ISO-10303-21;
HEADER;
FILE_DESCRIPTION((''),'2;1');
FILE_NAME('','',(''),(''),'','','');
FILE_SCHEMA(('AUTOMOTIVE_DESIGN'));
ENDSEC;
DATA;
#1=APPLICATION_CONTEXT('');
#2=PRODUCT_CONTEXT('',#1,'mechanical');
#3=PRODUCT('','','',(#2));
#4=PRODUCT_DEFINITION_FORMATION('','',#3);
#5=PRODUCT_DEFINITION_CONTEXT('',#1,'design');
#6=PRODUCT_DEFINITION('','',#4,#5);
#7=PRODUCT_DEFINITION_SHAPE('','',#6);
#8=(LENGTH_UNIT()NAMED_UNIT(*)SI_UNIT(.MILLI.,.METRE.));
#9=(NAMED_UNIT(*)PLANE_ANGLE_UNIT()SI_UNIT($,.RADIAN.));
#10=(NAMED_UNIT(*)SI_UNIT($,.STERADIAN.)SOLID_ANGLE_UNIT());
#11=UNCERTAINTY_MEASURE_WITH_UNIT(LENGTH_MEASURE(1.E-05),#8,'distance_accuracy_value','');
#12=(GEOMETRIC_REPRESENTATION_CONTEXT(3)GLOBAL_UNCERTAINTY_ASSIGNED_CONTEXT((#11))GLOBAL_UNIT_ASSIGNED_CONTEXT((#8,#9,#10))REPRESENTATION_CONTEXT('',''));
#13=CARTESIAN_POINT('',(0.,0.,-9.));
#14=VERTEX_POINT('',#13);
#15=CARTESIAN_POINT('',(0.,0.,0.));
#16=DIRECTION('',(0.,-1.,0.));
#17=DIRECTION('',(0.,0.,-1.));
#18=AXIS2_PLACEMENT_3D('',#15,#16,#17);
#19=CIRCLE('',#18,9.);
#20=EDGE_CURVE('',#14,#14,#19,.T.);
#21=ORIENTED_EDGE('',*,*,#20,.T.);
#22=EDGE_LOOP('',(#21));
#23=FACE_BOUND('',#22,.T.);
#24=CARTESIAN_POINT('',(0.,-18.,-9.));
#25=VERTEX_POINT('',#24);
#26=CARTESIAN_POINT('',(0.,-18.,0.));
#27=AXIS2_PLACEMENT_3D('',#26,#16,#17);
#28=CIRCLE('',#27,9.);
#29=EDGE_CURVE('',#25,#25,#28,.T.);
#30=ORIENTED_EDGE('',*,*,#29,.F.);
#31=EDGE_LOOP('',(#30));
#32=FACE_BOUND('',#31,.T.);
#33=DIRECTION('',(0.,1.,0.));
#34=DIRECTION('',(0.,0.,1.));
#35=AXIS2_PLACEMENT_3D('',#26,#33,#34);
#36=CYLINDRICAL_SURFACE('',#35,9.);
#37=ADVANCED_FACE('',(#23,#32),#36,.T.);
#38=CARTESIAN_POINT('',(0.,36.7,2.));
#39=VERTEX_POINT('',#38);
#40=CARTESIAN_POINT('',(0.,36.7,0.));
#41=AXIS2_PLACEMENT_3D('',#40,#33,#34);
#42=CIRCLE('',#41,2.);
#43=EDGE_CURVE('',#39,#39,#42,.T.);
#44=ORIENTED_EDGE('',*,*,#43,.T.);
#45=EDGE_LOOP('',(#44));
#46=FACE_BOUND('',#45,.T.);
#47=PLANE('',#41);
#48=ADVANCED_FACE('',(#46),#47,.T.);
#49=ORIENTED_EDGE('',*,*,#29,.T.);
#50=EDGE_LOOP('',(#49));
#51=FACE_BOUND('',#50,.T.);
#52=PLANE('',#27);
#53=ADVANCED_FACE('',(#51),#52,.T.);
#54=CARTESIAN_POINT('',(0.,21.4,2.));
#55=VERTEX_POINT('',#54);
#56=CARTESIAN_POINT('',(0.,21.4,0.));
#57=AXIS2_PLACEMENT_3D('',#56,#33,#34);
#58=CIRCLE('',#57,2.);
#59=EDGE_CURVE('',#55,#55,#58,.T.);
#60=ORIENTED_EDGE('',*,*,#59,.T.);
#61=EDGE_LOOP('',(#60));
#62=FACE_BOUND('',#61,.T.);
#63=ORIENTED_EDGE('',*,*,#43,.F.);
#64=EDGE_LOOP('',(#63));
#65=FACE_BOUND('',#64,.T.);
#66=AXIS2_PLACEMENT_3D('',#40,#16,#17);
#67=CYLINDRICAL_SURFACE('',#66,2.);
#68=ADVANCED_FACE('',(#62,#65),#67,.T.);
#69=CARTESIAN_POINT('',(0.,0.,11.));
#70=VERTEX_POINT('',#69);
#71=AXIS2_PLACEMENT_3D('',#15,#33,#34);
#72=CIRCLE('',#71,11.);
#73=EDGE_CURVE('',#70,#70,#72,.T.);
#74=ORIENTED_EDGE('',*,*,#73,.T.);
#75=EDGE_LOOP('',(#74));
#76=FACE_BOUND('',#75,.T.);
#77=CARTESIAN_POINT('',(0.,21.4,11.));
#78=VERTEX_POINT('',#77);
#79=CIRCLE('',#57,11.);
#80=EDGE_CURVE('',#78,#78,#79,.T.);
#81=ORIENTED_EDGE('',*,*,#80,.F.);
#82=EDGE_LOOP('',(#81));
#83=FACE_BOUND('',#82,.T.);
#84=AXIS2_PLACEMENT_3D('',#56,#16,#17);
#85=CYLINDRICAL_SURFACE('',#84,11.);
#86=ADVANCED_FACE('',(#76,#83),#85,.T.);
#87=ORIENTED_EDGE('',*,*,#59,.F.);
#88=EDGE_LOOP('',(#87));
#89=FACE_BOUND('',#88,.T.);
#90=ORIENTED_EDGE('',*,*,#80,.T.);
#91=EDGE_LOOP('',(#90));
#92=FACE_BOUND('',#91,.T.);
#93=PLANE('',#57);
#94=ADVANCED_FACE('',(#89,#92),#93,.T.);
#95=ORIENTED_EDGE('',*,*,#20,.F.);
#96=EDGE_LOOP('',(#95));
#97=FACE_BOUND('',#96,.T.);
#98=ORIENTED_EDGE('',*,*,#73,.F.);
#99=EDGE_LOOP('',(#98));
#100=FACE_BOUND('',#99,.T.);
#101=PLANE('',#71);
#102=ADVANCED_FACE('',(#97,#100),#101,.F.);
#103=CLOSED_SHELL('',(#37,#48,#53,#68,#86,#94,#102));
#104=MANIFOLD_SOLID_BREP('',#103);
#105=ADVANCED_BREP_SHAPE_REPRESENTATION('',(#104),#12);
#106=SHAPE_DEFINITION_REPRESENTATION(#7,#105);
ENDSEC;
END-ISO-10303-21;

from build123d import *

# Parameters (mm, degrees)
CROQUIS1_R              = 11
SALIENTE_EXTRUIR1_DEPTH = 21.4
CROQUIS2_R              = 2
SALIENTE_EXTRUIR2_DEPTH = 15.3
CROQUIS3_R              = 9
SALIENTE_EXTRUIR3_DEPTH = 18


with BuildPart() as part:
    # Croquis1 → Saliente-Extruir1 (new body)
    with BuildSketch(Plane(origin=(0, 0, 0), x_dir=(1, 0, 0), z_dir=(0, 1, 0))):
        Circle(CROQUIS1_R)
    extrude(amount=SALIENTE_EXTRUIR1_DEPTH)

    # Croquis2 → Saliente-Extruir2 (add)
    with BuildSketch(Plane(origin=(0, 21.4, 0), x_dir=(1, 0, 0), z_dir=(0, 1, 0))):
        Circle(CROQUIS2_R)
    extrude(amount=SALIENTE_EXTRUIR2_DEPTH)

    # Croquis3 → Saliente-Extruir3 (add)
    with BuildSketch(Plane.XZ):
        Circle(CROQUIS3_R)
    extrude(amount=SALIENTE_EXTRUIR3_DEPTH)


solid = part.part
